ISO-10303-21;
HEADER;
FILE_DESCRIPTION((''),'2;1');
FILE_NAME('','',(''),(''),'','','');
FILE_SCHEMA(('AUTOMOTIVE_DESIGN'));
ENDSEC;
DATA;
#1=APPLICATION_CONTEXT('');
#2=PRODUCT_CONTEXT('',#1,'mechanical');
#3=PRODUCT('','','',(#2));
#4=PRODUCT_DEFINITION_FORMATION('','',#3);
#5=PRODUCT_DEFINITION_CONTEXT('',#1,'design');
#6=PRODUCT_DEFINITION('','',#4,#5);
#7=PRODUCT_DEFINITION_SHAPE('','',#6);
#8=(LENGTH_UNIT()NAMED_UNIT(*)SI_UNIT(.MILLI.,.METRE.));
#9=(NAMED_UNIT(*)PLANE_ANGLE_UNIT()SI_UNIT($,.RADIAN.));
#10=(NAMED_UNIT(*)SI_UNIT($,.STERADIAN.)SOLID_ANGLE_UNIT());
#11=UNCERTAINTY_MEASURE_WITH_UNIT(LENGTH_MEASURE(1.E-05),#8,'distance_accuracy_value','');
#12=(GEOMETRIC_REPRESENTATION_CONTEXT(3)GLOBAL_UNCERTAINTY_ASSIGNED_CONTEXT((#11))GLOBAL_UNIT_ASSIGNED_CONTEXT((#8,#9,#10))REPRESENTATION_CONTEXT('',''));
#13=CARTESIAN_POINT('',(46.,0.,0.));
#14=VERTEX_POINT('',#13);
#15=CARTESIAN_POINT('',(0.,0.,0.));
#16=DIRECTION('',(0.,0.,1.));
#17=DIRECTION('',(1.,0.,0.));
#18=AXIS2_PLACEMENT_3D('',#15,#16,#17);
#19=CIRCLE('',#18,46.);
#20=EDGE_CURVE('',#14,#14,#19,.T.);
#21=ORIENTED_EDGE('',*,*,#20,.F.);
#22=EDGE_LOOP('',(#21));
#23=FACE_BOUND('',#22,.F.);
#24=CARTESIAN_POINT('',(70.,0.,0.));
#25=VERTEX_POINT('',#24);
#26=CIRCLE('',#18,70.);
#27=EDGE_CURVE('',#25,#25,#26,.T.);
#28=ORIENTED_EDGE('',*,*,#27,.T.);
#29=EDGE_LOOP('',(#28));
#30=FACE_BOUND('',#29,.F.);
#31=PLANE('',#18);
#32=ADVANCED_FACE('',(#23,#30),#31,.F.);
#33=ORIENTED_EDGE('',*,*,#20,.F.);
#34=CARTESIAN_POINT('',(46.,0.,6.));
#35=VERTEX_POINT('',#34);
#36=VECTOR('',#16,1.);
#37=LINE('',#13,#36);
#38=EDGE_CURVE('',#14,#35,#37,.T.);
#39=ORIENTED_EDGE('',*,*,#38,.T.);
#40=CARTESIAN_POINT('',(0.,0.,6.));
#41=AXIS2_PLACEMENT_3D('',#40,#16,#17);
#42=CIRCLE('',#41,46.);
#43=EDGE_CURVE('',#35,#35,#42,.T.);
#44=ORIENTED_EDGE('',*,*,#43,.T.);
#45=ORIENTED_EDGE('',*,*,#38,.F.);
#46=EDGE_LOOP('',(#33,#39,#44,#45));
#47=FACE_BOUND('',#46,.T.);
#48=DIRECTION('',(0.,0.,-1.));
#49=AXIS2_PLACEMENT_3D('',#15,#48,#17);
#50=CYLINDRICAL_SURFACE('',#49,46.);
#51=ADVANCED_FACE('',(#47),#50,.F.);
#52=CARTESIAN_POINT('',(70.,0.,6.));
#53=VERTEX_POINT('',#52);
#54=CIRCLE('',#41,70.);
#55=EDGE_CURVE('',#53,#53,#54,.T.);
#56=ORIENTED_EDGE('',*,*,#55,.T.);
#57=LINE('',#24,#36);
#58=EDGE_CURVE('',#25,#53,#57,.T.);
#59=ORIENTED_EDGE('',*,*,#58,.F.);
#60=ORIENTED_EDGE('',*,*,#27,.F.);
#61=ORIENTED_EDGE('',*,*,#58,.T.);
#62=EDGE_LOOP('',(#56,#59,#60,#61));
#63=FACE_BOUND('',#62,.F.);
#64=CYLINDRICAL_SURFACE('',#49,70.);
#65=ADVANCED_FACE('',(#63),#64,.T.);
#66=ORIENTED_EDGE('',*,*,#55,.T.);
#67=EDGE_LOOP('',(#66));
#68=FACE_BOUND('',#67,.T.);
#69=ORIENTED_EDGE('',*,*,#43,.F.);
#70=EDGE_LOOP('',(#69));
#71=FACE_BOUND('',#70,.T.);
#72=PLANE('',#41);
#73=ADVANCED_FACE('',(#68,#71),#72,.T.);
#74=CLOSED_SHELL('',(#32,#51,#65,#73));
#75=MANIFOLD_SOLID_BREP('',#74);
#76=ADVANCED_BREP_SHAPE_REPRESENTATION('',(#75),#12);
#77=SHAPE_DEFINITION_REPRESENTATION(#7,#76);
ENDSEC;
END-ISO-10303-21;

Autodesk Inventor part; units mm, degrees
ref_plane "YZ Plane" through (0, 0, 0) normal (1, 0, 0) x (0, 1, 0)
ref_plane "XZ Plane" through (0, 0, 0) normal (0, 1, 0) x (-1, 0, 0)
ref_plane "XY Plane" through (0, 0, 0) normal (0, 0, 1) x (1, 0, 0)
sketch "Sketch2" plane through (0, 0, 0) normal (0, 0, 1) x (1, 0, 0)
  circle A0 centre (0, 0) radius 46
  circle A1 centre (0, 0) radius 70
  dimension "d25" = 92
  dimension "d27" = 140
extrude "Plate2" add sketch "Sketch2" along normal blind 6
equation "\"d14\" = Thickness"
equation "\"BendReliefWidth\" = Thickness"
equation "\"BendReliefDepth\" = 0.5 * Thickness"
equation "\"CornerReliefSize\" = 4 * Thickness"
equation "\"MinimumRemnant\" = 2 * Thickness"
equation "\"TransitionRadius\" = BendRadius"
equation "\"JacobiRadiusSize\" = BendRadius"
equation "\"GapSize\" = Thickness"
equation "\"Thickness\" = 6"
equation "\"BendRadius\" = 6"
properties part number "PRS 9432 FDS free flange DN90_D1200" material "Steel"
